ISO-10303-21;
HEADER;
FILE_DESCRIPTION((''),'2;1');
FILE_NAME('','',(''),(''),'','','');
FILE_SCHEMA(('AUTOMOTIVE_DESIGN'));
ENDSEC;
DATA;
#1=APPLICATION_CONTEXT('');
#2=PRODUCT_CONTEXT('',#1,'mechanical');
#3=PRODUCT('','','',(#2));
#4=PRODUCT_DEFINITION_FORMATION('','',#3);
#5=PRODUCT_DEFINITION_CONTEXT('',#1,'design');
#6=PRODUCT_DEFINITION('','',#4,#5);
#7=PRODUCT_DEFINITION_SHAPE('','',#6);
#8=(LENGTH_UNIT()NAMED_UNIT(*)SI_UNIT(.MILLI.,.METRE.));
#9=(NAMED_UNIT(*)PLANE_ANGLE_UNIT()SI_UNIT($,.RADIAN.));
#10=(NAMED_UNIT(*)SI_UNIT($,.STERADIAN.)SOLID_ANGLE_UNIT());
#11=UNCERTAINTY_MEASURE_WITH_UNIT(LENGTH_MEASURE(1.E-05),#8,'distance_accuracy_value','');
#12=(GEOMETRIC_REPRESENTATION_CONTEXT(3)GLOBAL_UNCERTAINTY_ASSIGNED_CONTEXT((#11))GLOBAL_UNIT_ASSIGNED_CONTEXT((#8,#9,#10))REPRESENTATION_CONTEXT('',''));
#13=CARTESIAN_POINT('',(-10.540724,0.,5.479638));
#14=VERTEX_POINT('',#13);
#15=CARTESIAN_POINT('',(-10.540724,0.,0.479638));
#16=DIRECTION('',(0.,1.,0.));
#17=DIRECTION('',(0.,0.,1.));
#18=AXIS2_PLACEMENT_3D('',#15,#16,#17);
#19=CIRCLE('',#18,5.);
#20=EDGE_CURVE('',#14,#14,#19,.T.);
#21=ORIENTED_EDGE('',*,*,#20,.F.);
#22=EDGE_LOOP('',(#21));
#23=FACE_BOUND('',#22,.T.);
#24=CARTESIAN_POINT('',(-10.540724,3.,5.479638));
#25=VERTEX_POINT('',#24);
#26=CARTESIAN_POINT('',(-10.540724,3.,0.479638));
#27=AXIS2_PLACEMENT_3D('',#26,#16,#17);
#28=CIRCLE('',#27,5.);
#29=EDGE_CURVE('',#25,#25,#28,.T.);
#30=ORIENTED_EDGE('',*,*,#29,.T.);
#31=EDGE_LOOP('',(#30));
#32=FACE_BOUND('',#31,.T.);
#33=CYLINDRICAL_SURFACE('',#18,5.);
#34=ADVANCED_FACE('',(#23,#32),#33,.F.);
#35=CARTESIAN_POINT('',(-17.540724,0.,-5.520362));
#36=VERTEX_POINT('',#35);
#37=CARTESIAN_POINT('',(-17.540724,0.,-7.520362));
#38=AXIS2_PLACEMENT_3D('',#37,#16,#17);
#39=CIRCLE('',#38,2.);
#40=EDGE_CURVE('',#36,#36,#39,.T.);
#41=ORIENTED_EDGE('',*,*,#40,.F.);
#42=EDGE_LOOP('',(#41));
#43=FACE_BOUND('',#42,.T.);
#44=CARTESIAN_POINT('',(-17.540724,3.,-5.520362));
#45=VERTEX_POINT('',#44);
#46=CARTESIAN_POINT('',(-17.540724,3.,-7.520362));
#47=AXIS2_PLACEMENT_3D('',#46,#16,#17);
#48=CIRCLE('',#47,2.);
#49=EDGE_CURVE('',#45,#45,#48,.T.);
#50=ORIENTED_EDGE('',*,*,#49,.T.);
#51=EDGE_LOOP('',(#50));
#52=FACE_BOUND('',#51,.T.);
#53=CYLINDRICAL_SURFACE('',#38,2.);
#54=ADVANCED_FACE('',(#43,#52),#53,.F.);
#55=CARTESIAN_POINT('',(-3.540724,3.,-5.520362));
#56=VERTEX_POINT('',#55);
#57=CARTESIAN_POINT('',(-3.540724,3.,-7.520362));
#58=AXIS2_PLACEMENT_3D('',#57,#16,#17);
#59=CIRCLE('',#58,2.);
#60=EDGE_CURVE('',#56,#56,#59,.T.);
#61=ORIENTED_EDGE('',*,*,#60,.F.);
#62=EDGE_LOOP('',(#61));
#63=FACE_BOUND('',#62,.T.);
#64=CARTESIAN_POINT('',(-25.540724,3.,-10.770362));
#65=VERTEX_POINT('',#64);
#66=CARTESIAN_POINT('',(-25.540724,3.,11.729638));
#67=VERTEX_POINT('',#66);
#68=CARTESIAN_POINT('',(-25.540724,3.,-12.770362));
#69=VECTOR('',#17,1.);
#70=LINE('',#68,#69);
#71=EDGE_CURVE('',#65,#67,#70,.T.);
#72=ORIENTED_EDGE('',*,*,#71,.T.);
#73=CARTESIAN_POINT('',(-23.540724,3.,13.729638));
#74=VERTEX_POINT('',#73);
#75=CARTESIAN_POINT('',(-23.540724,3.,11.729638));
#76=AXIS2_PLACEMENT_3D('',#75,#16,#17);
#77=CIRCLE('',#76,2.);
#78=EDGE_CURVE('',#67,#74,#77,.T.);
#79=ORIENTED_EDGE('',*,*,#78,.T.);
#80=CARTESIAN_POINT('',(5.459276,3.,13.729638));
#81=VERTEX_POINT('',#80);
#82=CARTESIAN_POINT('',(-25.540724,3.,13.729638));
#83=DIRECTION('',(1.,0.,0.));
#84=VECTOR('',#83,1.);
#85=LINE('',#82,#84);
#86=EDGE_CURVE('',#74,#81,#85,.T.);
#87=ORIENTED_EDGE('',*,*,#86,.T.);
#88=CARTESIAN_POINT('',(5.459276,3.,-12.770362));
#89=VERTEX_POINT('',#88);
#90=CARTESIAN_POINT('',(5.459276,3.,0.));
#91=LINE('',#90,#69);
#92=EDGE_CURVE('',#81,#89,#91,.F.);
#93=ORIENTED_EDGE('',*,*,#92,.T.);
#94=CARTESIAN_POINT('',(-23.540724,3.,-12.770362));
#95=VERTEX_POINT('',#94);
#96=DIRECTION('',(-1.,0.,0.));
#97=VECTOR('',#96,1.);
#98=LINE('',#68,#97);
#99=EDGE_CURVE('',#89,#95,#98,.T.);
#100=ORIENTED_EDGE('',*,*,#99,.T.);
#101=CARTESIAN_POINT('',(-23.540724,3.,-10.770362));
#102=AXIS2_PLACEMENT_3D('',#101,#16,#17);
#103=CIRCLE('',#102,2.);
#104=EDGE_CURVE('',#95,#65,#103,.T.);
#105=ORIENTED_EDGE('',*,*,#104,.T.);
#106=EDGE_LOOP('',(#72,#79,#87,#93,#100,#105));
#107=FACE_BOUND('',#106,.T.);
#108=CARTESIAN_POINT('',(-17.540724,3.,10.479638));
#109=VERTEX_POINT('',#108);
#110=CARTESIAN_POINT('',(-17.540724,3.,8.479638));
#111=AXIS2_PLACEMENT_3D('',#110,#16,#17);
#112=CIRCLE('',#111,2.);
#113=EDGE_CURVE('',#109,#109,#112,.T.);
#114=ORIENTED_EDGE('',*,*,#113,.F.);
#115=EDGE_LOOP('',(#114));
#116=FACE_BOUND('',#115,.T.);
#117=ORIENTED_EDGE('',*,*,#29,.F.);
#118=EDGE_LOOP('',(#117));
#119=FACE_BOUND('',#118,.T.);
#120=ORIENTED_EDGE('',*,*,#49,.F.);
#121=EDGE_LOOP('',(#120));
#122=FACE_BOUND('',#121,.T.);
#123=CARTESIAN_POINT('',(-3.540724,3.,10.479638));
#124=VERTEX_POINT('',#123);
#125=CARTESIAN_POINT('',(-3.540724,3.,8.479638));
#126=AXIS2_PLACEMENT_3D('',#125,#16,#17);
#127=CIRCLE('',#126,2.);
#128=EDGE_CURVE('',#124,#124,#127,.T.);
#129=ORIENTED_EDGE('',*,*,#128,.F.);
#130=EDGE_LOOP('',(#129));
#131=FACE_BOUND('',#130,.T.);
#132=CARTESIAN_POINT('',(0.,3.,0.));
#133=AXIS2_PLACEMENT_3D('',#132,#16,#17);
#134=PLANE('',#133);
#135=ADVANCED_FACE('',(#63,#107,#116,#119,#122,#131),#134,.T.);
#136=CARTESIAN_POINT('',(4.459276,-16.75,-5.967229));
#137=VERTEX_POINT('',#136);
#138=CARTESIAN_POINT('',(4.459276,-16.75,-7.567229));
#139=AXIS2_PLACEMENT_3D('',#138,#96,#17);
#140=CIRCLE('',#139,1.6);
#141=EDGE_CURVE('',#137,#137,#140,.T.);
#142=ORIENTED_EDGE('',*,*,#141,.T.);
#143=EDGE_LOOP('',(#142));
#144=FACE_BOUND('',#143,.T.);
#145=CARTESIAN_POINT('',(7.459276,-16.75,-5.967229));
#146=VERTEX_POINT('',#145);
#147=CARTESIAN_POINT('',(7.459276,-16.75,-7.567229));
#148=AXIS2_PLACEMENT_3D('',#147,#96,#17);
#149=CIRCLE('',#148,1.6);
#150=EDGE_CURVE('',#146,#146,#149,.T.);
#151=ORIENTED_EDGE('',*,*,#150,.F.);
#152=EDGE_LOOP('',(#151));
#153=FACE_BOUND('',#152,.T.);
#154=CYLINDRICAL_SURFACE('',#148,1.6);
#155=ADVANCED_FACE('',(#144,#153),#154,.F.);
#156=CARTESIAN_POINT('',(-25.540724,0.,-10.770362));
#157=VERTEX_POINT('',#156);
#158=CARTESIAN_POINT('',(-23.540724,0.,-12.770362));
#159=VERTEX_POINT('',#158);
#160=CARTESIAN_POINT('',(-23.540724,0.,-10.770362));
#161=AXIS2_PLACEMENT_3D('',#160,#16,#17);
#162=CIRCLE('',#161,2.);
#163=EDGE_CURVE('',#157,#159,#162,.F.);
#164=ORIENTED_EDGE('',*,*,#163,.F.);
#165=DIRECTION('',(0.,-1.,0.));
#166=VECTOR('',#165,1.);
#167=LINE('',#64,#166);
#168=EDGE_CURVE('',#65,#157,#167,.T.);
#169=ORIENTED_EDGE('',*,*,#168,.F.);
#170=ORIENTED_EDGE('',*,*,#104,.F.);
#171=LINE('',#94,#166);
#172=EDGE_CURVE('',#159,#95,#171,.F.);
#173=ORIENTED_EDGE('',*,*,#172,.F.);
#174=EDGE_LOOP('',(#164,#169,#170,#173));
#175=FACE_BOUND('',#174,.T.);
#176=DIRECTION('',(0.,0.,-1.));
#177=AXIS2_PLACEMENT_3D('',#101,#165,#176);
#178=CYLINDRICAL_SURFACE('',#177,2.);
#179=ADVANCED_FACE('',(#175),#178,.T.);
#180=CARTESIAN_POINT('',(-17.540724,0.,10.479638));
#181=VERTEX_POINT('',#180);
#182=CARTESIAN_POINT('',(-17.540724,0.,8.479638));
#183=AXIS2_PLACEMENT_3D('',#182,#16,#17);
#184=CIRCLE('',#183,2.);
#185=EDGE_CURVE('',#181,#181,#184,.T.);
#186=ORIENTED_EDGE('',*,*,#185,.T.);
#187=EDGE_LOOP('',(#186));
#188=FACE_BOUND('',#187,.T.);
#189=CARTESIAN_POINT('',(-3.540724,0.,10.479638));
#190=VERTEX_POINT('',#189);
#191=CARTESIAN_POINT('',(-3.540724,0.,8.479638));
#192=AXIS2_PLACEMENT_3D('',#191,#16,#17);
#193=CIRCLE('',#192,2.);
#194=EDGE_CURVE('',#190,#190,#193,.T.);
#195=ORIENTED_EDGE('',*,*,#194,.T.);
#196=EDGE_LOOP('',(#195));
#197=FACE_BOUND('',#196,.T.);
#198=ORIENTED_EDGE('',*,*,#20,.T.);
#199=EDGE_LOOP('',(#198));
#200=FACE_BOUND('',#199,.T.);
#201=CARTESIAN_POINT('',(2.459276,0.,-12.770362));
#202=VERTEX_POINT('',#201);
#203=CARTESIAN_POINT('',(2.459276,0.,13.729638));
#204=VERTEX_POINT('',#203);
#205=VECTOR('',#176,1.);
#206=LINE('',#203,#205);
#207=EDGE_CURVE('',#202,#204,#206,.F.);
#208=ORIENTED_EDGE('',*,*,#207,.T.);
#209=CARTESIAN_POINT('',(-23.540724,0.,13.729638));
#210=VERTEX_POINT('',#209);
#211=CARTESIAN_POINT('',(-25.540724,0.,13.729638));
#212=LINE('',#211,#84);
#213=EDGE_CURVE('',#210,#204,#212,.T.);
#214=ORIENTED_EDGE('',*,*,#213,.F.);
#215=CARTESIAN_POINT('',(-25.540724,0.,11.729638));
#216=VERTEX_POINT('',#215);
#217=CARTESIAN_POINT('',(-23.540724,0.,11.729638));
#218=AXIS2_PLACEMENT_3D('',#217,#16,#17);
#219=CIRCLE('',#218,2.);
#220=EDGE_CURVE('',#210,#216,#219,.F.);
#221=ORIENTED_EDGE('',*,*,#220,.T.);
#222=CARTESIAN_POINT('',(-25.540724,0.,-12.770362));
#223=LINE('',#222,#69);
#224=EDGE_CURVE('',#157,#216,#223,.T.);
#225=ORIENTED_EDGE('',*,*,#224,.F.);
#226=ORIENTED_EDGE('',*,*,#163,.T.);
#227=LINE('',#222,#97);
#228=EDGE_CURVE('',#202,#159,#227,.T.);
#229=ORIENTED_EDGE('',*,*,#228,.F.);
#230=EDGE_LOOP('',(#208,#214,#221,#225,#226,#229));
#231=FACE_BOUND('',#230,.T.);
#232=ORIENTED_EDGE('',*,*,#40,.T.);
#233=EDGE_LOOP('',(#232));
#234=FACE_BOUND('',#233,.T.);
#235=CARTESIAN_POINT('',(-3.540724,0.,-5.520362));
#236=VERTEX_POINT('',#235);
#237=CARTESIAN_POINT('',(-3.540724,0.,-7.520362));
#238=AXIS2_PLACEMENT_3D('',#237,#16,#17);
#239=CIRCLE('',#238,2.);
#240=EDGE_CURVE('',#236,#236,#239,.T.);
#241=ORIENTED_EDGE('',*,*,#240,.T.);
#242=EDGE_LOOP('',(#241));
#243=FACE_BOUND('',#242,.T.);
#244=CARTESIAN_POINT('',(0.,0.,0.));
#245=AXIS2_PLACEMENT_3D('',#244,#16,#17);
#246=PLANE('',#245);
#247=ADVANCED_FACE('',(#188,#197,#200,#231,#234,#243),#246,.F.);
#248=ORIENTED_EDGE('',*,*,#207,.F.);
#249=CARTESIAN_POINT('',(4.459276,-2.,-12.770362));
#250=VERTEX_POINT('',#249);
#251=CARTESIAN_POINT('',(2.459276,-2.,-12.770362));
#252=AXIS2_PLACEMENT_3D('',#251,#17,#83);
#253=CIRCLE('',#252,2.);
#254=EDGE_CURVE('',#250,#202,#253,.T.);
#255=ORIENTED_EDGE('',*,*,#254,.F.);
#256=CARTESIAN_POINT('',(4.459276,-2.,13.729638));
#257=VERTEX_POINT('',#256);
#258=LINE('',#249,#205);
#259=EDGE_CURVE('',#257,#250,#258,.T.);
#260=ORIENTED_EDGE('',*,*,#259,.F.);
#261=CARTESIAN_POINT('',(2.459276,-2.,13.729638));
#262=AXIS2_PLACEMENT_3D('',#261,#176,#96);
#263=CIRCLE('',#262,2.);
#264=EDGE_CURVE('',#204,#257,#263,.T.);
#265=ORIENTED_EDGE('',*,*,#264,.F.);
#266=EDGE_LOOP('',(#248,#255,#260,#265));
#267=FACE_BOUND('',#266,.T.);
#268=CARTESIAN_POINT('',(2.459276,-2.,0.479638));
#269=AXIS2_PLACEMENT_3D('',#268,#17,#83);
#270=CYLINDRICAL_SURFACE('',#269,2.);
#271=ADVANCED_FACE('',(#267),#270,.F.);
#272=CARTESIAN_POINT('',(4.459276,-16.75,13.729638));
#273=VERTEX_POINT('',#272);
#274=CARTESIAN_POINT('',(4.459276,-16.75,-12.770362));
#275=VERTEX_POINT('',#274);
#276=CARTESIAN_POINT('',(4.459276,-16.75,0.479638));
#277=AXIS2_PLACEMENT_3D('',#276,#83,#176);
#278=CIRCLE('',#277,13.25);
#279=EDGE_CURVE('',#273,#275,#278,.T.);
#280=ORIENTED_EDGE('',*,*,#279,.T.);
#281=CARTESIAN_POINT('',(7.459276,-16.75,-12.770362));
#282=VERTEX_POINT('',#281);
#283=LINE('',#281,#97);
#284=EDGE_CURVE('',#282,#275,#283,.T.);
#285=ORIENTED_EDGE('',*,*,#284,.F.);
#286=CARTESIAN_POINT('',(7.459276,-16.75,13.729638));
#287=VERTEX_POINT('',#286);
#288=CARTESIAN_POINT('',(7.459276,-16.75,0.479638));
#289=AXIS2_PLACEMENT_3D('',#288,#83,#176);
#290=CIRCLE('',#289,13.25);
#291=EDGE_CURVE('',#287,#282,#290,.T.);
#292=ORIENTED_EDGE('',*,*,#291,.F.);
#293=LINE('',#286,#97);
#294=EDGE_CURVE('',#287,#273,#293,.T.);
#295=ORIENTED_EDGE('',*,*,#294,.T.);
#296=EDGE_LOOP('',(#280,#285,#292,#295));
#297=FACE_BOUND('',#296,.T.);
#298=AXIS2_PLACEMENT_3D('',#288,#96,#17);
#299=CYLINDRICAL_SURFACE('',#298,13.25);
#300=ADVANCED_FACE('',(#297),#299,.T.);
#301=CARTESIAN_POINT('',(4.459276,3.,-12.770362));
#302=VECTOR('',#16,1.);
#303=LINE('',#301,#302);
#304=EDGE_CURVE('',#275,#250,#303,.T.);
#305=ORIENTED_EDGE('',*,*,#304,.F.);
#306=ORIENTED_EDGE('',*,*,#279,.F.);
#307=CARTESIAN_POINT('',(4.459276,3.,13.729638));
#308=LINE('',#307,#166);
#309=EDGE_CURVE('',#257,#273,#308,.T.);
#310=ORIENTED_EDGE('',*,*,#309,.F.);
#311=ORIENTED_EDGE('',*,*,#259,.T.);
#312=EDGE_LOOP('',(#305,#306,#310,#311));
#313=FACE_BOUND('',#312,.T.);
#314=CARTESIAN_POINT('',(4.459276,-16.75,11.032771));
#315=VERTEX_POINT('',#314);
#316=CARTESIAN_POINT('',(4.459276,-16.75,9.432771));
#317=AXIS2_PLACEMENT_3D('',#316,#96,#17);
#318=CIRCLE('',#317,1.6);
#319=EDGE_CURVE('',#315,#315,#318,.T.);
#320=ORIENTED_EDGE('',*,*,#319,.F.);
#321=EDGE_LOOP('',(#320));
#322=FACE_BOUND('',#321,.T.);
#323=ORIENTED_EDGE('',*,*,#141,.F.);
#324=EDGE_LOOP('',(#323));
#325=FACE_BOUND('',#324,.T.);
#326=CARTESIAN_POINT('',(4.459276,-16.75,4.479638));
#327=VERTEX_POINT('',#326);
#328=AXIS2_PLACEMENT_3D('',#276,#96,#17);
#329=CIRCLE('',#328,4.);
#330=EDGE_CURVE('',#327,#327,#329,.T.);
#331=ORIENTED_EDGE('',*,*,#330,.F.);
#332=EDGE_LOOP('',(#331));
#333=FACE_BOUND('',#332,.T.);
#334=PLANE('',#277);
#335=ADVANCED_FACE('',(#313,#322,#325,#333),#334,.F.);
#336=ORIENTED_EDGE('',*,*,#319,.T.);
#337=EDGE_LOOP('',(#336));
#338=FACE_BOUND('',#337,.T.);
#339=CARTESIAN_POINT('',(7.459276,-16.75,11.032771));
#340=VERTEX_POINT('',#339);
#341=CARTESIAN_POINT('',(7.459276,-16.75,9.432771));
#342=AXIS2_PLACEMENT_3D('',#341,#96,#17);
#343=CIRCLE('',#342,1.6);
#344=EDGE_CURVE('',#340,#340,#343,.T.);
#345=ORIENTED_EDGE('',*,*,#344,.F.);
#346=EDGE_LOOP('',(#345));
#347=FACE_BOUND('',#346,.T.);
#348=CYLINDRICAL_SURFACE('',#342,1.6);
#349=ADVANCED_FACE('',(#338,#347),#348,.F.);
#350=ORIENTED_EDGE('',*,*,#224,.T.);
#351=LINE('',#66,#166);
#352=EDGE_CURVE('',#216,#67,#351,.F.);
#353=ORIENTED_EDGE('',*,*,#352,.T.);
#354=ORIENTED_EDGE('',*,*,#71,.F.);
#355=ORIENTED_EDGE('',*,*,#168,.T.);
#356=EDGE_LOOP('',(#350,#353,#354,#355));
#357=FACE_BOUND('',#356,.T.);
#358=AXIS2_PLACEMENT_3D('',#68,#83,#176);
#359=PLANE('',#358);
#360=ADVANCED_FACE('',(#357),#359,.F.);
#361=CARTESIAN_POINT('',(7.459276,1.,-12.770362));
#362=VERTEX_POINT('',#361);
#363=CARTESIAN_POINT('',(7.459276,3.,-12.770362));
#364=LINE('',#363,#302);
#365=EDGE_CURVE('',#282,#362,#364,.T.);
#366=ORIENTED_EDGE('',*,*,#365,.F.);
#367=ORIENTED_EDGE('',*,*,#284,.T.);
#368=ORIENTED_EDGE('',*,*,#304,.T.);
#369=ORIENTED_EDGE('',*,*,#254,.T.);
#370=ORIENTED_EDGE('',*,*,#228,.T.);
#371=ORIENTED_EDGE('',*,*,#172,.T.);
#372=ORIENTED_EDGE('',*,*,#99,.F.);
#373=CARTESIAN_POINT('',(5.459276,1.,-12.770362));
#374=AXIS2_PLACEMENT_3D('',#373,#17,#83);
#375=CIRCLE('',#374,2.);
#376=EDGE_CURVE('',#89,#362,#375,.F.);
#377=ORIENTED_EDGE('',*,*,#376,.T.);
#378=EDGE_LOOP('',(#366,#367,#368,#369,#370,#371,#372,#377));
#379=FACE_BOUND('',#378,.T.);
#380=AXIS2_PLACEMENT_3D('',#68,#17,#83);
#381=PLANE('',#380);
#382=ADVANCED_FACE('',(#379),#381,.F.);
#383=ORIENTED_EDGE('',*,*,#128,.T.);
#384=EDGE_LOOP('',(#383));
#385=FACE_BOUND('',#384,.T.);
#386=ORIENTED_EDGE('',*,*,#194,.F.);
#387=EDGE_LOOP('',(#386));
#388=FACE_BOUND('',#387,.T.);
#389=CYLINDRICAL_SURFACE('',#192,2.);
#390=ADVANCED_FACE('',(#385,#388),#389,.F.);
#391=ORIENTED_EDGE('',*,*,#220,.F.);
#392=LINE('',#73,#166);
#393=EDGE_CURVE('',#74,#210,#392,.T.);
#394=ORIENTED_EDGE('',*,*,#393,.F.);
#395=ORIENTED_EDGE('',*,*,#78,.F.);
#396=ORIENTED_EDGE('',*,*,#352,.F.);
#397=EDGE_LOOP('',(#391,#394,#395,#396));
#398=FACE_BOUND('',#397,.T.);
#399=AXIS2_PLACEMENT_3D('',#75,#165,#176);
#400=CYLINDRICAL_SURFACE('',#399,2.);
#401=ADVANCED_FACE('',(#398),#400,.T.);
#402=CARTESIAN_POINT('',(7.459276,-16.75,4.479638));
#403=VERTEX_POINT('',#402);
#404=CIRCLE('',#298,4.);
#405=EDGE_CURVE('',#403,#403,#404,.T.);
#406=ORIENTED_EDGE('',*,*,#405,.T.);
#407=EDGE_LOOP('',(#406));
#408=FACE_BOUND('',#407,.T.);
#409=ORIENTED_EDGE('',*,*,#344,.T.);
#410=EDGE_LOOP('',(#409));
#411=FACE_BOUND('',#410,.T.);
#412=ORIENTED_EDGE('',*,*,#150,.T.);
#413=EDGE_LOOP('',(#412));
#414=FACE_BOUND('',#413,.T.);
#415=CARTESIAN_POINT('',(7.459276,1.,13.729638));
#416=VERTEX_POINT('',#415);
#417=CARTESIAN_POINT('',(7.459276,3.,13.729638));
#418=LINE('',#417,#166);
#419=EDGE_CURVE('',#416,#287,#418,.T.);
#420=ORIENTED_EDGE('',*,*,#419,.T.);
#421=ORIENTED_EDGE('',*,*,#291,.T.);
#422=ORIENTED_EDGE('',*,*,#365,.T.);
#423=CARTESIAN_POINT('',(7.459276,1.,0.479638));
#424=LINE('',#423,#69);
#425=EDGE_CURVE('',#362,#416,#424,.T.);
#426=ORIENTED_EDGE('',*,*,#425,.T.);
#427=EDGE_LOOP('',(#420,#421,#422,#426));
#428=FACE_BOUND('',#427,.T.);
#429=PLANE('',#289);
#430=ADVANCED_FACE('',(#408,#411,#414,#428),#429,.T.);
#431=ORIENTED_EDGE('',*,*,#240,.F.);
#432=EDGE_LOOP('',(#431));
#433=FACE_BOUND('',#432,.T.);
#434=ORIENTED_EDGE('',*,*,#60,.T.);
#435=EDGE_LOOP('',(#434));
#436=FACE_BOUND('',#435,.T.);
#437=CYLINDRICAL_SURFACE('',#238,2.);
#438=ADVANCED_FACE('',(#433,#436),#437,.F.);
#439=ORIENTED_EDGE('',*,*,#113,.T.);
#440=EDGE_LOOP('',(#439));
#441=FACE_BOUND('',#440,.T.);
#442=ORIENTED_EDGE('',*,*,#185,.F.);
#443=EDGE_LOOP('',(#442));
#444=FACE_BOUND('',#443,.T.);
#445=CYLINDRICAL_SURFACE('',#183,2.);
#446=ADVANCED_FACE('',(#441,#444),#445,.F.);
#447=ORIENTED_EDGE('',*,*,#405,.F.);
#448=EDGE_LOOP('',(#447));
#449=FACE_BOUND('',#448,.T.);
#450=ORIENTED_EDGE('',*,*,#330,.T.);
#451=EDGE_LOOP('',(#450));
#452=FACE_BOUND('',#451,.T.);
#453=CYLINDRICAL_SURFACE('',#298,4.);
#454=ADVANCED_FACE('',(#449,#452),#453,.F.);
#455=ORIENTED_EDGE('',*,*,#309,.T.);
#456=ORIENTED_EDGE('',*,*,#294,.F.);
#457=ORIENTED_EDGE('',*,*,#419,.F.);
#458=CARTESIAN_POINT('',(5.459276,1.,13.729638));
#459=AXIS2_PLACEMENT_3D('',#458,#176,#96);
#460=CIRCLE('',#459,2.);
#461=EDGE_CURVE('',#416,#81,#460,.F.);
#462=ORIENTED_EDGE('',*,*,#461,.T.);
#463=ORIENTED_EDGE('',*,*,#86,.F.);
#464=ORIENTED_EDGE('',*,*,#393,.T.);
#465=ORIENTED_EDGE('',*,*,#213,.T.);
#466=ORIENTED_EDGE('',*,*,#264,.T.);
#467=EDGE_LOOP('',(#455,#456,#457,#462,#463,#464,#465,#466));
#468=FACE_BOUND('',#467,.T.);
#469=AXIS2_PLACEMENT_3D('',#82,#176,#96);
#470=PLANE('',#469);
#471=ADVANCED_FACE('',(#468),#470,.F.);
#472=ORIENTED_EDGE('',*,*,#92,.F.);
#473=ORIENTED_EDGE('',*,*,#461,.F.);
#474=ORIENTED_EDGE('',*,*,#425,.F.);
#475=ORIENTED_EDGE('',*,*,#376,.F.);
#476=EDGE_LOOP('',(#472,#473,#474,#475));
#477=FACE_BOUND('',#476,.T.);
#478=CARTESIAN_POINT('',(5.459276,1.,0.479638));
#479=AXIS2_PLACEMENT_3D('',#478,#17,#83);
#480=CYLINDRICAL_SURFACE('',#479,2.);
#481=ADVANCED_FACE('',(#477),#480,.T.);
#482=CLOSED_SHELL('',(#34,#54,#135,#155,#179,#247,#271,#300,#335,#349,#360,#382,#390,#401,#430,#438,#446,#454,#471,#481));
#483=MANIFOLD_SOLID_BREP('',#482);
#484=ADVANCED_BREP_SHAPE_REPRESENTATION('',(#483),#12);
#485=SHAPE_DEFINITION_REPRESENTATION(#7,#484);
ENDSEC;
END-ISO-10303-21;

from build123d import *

# Parameters (mm, degrees)
SKETCH_1_W          = 30
SKETCH_1_H          = 26.5
EXTRUDE_1_DEPTH     = 3
SKETCH_2_R          = 5
CUT_EXTRUDE_1_DEPTH = 30.15187029
SKETCH_3_R          = 2
CUT_EXTRUDE_2_DEPTH = 30.15187029
EXTRUDE_3_DEPTH     = 3
SKETCH_7_R          = 4
SKETCH_7_R_2        = 1.6
CUT_EXTRUDE_3_DEPTH = 3
FILLET_1_R          = 2
FILLET_2_R          = 2


with BuildPart() as part:
    # 草图1 → 凸台-拉伸1 (new body)
    with BuildSketch(Plane(origin=(0, 0, 0), x_dir=(1, 0, 0), z_dir=(0, 1, 0))):
        with Locations((-10.540723982, -0.479638009)):
            Rectangle(SKETCH_1_W, SKETCH_1_H)
    extrude(amount=EXTRUDE_1_DEPTH)

    # 草图2 → 切除-拉伸1 (cut, through all)
    with BuildSketch(Plane(origin=(0, 3, 0), x_dir=(1, 0, 0), z_dir=(0, 1, 0))):
        with Locations(Location((-10.540723982, -0.479638009, 0), (0, 0, 270))):
            Circle(SKETCH_2_R)
    extrude(amount=-CUT_EXTRUDE_1_DEPTH, mode=Mode.SUBTRACT)

    # 草图3 → 切除-拉伸2 (cut, through all)
    with BuildSketch(Plane(origin=(0, 3, 0), x_dir=(1, 0, 0), z_dir=(0, 1, 0))):
        with Locations(Location((-3.540723982, 7.520361991, 0), (0, 0, 270))):
            Circle(SKETCH_3_R)
        with Locations(Location((-17.540723982, 7.520361991, 0), (0, 0, 270))):
            Circle(SKETCH_3_R)
        with Locations(Location((-3.540723982, -8.479638009, 0), (0, 0, 270))):
            Circle(SKETCH_3_R)
        with Locations(Location((-17.540723982, -8.479638009, 0), (0, 0, 270))):
            Circle(SKETCH_3_R)
    extrude(amount=-CUT_EXTRUDE_2_DEPTH, mode=Mode.SUBTRACT)

    # 草图6 → 凸台-拉伸3 (add)
    with BuildSketch(Plane(origin=(4.459276018, 0, 0), x_dir=(0, 0, -1), z_dir=(1, 0, 0))):
        with BuildLine():
            Line((12.770361991, 3), (-13.729638009, 3))
            Line((-13.729638009, 3), (-13.729638009, -16.75))
            ThreePointArc((-13.729638009, -16.75), (-0.479638009, -30), (12.770361991, -16.75))
            Line((12.770361991, -16.75), (12.770361991, 3))
        make_face()
    extrude(amount=EXTRUDE_3_DEPTH)

    # 草图7 → 切除-拉伸3 (cut)
    with BuildSketch(Plane.ZY.offset(-4.459276018)):
        with Locations((0.479638009, -16.75)):
            Circle(SKETCH_7_R)
        with Locations((9.432771386, -16.75)):
            Circle(SKETCH_7_R_2)
        with Locations((-7.567228614, -16.75)):
            Circle(SKETCH_7_R_2)
    extrude(amount=-CUT_EXTRUDE_3_DEPTH, mode=Mode.SUBTRACT)

    # 圆角1
    fillet_1_edges = [part.edges().sort_by_distance(p)[0] for p in [
        (-25.540723982, 1.5, -12.770361991),
        (-25.540723982, 1.5, 13.729638009),
    ]]
    fillet(fillet_1_edges, radius=FILLET_1_R)

    # 圆角2
    fillet_2_edges = [part.edges().sort_by_distance(p)[0] for p in [
        (7.459276018, 3, 0.479638009),
        (4.459276018, 0, 0.479638009),
    ]]
    fillet(fillet_2_edges, radius=FILLET_2_R)


solid = part.part
